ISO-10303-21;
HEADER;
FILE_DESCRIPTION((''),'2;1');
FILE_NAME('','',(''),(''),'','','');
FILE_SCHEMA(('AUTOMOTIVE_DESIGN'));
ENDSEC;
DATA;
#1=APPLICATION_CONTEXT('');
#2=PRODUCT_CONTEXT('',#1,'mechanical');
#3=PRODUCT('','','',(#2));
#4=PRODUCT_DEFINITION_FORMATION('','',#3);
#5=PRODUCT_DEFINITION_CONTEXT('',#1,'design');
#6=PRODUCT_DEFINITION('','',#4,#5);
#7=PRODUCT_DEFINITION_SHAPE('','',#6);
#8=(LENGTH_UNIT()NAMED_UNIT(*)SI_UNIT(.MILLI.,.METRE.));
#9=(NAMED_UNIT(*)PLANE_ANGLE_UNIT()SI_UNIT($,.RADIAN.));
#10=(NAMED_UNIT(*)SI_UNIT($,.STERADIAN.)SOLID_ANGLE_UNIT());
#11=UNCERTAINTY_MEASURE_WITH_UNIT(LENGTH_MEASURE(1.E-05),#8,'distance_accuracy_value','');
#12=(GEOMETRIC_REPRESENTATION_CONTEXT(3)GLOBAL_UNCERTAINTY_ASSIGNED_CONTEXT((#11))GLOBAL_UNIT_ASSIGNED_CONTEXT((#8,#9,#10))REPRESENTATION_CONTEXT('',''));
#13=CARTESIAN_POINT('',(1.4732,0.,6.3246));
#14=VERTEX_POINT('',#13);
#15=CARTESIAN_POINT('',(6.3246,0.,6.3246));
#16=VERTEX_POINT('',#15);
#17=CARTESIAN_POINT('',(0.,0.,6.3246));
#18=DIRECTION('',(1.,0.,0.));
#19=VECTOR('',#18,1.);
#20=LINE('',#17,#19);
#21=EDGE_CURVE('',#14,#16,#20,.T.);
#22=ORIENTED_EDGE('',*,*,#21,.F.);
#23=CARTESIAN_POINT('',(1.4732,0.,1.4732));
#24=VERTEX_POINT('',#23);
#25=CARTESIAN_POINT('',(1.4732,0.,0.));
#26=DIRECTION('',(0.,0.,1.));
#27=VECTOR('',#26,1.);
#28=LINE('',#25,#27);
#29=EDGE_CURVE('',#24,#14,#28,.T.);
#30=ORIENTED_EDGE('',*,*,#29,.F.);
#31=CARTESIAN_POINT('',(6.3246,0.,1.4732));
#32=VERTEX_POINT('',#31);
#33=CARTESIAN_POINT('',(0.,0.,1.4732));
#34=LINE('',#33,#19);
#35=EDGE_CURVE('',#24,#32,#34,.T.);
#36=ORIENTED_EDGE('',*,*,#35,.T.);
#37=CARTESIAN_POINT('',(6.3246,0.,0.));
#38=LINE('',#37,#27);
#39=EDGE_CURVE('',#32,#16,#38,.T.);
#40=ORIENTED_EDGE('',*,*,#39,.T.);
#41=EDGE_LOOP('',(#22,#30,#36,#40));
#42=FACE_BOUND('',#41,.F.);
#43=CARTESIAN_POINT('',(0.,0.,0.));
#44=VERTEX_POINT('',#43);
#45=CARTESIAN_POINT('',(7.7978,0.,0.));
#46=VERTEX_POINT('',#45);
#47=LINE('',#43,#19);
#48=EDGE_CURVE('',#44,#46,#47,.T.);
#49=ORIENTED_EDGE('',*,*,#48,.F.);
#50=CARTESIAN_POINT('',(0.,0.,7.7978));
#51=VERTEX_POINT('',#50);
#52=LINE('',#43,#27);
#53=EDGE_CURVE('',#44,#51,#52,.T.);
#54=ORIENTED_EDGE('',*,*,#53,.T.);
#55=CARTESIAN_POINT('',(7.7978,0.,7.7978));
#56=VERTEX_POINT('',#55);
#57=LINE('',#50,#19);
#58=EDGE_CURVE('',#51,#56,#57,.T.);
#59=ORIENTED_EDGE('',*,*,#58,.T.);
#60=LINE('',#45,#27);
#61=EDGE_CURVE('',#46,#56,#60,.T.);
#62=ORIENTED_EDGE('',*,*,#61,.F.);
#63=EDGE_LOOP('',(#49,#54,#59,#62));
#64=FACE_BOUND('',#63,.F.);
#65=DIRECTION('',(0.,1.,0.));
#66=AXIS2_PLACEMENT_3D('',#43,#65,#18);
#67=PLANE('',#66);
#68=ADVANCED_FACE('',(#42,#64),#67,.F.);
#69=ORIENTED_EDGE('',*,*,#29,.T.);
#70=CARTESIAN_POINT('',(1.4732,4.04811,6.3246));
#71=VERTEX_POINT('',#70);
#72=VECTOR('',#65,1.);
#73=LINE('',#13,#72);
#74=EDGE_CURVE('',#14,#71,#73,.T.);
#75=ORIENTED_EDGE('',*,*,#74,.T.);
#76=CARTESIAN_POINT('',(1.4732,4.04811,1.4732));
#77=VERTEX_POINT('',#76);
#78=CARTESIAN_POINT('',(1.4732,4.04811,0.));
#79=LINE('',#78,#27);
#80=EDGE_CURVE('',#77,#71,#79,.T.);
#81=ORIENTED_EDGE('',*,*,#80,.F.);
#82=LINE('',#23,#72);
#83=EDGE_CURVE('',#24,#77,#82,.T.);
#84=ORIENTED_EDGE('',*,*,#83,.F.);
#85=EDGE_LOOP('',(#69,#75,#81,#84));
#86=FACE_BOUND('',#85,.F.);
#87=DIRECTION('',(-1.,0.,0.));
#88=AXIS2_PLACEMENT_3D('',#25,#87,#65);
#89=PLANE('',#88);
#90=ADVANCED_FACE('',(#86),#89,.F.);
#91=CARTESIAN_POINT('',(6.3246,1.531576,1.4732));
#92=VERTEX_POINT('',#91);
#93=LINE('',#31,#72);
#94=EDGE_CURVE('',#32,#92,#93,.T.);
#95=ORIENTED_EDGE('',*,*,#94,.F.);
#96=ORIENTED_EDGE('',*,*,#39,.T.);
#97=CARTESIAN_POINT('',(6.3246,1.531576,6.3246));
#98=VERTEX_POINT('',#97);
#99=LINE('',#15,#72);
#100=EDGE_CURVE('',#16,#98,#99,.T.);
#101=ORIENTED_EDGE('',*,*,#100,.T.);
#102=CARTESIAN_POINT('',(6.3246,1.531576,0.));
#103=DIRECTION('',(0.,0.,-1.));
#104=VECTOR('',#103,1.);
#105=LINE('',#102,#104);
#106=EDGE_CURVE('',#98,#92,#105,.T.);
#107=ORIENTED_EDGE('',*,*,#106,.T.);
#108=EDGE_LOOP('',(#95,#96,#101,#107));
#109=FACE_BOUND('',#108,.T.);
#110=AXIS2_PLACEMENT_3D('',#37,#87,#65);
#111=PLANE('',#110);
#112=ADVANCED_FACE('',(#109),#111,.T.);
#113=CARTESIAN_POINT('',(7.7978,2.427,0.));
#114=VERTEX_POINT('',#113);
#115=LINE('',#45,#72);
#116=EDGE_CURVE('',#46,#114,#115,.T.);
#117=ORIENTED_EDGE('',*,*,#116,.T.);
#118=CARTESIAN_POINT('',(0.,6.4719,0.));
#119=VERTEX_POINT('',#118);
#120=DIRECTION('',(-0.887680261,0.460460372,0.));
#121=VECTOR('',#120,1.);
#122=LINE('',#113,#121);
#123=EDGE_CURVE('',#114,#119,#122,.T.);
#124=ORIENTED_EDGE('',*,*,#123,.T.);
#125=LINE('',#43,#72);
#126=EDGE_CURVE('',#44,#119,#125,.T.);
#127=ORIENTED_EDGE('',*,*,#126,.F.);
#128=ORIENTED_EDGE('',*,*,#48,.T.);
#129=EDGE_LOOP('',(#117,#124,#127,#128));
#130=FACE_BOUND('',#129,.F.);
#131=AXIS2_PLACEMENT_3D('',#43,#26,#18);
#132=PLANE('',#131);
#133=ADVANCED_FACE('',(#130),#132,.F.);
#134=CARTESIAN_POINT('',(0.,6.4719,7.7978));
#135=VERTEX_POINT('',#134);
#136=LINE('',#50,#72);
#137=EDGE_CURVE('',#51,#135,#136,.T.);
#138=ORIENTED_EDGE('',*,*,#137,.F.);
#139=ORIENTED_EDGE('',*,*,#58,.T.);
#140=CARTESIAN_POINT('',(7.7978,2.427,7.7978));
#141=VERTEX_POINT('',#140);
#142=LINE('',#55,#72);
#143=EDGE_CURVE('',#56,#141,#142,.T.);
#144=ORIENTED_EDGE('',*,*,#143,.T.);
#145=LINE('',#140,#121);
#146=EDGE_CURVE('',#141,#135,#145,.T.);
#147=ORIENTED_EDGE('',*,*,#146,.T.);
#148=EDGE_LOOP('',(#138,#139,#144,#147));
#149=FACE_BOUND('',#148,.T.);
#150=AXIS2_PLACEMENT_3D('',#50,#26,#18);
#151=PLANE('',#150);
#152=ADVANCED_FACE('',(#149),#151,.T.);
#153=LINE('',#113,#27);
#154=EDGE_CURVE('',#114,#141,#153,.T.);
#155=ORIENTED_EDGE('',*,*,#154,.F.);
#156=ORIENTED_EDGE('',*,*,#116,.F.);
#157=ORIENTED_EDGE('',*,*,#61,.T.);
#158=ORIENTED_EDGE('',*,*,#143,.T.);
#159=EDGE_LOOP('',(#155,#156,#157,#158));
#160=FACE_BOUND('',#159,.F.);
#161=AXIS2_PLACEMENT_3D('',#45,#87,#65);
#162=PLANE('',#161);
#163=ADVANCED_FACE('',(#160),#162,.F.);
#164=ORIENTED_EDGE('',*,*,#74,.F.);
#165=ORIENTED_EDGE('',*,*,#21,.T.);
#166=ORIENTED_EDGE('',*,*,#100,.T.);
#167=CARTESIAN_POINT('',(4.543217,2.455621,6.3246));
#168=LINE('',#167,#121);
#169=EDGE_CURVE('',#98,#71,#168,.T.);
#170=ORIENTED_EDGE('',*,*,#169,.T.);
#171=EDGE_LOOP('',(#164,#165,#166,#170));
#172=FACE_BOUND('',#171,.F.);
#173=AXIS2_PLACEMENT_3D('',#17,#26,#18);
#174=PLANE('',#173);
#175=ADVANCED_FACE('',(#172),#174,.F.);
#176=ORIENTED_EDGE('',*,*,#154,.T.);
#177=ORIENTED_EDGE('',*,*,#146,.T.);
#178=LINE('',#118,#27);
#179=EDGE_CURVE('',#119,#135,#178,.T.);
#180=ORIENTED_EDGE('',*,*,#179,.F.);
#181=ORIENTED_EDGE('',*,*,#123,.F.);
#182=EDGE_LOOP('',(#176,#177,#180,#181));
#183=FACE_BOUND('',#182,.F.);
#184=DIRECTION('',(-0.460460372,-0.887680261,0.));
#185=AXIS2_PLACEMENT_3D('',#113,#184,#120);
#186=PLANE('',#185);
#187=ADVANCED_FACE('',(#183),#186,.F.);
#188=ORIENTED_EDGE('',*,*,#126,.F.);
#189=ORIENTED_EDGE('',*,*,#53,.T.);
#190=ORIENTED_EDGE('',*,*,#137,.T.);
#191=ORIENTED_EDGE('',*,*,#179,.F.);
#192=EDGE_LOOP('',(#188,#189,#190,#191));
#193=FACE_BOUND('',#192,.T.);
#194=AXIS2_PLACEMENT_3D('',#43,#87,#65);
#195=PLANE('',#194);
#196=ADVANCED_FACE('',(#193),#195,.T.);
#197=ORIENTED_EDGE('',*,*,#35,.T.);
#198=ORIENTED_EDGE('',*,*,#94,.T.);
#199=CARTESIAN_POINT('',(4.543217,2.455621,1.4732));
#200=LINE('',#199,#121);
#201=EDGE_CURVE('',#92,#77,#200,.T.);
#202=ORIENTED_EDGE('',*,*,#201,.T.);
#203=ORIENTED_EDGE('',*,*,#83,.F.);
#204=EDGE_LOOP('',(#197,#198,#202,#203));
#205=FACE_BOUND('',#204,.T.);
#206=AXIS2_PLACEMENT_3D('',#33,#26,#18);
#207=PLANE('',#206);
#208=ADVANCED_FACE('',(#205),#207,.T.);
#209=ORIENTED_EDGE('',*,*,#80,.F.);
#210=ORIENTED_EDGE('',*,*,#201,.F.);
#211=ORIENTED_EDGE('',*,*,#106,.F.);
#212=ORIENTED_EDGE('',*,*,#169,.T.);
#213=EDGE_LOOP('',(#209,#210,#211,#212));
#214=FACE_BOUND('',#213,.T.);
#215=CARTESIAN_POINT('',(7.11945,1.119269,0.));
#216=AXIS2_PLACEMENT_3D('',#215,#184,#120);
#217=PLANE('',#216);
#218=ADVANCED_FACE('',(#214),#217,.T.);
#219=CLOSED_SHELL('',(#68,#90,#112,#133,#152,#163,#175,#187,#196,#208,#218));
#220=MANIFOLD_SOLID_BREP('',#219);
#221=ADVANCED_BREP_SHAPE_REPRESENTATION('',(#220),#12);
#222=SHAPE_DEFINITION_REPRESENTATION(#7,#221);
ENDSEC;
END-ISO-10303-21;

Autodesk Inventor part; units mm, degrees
ref_plane "YZ Plane" through (0, 0, 0) normal (1, 0, 0) x (0, 1, 0)
ref_plane "XZ Plane" through (0, 0, 0) normal (0, 1, 0) x (-1, 0, 0)
ref_plane "XY Plane" through (0, 0, 0) normal (0, 0, 1) x (1, 0, 0)
sketch "Sketch1" plane through (0, 0, 0) normal (0, 0, 1) x (1, 0, 0)
  line L0 (0, 0) -> (0, 6.4719)
  line L1 (0, 0) -> (7.7978, 0)
  line L2 (7.7978, 0) -> (7.7978, 2.427)
  line L3 (7.7978, 2.427) -> (0, 6.4719)
  dimension "d0" = 6.4719
  dimension "d1" = 7.7978
  dimension "d5" = 2.427
extrude "Extrusion1" add sketch "Sketch1" along normal blind 7.7978
shell "Shell1" thickness 1.4732 removed faces 1 at (5.1985, 0, 2.5993)
properties part number "Transparent Grey Peice" material "ABS Plastic"
